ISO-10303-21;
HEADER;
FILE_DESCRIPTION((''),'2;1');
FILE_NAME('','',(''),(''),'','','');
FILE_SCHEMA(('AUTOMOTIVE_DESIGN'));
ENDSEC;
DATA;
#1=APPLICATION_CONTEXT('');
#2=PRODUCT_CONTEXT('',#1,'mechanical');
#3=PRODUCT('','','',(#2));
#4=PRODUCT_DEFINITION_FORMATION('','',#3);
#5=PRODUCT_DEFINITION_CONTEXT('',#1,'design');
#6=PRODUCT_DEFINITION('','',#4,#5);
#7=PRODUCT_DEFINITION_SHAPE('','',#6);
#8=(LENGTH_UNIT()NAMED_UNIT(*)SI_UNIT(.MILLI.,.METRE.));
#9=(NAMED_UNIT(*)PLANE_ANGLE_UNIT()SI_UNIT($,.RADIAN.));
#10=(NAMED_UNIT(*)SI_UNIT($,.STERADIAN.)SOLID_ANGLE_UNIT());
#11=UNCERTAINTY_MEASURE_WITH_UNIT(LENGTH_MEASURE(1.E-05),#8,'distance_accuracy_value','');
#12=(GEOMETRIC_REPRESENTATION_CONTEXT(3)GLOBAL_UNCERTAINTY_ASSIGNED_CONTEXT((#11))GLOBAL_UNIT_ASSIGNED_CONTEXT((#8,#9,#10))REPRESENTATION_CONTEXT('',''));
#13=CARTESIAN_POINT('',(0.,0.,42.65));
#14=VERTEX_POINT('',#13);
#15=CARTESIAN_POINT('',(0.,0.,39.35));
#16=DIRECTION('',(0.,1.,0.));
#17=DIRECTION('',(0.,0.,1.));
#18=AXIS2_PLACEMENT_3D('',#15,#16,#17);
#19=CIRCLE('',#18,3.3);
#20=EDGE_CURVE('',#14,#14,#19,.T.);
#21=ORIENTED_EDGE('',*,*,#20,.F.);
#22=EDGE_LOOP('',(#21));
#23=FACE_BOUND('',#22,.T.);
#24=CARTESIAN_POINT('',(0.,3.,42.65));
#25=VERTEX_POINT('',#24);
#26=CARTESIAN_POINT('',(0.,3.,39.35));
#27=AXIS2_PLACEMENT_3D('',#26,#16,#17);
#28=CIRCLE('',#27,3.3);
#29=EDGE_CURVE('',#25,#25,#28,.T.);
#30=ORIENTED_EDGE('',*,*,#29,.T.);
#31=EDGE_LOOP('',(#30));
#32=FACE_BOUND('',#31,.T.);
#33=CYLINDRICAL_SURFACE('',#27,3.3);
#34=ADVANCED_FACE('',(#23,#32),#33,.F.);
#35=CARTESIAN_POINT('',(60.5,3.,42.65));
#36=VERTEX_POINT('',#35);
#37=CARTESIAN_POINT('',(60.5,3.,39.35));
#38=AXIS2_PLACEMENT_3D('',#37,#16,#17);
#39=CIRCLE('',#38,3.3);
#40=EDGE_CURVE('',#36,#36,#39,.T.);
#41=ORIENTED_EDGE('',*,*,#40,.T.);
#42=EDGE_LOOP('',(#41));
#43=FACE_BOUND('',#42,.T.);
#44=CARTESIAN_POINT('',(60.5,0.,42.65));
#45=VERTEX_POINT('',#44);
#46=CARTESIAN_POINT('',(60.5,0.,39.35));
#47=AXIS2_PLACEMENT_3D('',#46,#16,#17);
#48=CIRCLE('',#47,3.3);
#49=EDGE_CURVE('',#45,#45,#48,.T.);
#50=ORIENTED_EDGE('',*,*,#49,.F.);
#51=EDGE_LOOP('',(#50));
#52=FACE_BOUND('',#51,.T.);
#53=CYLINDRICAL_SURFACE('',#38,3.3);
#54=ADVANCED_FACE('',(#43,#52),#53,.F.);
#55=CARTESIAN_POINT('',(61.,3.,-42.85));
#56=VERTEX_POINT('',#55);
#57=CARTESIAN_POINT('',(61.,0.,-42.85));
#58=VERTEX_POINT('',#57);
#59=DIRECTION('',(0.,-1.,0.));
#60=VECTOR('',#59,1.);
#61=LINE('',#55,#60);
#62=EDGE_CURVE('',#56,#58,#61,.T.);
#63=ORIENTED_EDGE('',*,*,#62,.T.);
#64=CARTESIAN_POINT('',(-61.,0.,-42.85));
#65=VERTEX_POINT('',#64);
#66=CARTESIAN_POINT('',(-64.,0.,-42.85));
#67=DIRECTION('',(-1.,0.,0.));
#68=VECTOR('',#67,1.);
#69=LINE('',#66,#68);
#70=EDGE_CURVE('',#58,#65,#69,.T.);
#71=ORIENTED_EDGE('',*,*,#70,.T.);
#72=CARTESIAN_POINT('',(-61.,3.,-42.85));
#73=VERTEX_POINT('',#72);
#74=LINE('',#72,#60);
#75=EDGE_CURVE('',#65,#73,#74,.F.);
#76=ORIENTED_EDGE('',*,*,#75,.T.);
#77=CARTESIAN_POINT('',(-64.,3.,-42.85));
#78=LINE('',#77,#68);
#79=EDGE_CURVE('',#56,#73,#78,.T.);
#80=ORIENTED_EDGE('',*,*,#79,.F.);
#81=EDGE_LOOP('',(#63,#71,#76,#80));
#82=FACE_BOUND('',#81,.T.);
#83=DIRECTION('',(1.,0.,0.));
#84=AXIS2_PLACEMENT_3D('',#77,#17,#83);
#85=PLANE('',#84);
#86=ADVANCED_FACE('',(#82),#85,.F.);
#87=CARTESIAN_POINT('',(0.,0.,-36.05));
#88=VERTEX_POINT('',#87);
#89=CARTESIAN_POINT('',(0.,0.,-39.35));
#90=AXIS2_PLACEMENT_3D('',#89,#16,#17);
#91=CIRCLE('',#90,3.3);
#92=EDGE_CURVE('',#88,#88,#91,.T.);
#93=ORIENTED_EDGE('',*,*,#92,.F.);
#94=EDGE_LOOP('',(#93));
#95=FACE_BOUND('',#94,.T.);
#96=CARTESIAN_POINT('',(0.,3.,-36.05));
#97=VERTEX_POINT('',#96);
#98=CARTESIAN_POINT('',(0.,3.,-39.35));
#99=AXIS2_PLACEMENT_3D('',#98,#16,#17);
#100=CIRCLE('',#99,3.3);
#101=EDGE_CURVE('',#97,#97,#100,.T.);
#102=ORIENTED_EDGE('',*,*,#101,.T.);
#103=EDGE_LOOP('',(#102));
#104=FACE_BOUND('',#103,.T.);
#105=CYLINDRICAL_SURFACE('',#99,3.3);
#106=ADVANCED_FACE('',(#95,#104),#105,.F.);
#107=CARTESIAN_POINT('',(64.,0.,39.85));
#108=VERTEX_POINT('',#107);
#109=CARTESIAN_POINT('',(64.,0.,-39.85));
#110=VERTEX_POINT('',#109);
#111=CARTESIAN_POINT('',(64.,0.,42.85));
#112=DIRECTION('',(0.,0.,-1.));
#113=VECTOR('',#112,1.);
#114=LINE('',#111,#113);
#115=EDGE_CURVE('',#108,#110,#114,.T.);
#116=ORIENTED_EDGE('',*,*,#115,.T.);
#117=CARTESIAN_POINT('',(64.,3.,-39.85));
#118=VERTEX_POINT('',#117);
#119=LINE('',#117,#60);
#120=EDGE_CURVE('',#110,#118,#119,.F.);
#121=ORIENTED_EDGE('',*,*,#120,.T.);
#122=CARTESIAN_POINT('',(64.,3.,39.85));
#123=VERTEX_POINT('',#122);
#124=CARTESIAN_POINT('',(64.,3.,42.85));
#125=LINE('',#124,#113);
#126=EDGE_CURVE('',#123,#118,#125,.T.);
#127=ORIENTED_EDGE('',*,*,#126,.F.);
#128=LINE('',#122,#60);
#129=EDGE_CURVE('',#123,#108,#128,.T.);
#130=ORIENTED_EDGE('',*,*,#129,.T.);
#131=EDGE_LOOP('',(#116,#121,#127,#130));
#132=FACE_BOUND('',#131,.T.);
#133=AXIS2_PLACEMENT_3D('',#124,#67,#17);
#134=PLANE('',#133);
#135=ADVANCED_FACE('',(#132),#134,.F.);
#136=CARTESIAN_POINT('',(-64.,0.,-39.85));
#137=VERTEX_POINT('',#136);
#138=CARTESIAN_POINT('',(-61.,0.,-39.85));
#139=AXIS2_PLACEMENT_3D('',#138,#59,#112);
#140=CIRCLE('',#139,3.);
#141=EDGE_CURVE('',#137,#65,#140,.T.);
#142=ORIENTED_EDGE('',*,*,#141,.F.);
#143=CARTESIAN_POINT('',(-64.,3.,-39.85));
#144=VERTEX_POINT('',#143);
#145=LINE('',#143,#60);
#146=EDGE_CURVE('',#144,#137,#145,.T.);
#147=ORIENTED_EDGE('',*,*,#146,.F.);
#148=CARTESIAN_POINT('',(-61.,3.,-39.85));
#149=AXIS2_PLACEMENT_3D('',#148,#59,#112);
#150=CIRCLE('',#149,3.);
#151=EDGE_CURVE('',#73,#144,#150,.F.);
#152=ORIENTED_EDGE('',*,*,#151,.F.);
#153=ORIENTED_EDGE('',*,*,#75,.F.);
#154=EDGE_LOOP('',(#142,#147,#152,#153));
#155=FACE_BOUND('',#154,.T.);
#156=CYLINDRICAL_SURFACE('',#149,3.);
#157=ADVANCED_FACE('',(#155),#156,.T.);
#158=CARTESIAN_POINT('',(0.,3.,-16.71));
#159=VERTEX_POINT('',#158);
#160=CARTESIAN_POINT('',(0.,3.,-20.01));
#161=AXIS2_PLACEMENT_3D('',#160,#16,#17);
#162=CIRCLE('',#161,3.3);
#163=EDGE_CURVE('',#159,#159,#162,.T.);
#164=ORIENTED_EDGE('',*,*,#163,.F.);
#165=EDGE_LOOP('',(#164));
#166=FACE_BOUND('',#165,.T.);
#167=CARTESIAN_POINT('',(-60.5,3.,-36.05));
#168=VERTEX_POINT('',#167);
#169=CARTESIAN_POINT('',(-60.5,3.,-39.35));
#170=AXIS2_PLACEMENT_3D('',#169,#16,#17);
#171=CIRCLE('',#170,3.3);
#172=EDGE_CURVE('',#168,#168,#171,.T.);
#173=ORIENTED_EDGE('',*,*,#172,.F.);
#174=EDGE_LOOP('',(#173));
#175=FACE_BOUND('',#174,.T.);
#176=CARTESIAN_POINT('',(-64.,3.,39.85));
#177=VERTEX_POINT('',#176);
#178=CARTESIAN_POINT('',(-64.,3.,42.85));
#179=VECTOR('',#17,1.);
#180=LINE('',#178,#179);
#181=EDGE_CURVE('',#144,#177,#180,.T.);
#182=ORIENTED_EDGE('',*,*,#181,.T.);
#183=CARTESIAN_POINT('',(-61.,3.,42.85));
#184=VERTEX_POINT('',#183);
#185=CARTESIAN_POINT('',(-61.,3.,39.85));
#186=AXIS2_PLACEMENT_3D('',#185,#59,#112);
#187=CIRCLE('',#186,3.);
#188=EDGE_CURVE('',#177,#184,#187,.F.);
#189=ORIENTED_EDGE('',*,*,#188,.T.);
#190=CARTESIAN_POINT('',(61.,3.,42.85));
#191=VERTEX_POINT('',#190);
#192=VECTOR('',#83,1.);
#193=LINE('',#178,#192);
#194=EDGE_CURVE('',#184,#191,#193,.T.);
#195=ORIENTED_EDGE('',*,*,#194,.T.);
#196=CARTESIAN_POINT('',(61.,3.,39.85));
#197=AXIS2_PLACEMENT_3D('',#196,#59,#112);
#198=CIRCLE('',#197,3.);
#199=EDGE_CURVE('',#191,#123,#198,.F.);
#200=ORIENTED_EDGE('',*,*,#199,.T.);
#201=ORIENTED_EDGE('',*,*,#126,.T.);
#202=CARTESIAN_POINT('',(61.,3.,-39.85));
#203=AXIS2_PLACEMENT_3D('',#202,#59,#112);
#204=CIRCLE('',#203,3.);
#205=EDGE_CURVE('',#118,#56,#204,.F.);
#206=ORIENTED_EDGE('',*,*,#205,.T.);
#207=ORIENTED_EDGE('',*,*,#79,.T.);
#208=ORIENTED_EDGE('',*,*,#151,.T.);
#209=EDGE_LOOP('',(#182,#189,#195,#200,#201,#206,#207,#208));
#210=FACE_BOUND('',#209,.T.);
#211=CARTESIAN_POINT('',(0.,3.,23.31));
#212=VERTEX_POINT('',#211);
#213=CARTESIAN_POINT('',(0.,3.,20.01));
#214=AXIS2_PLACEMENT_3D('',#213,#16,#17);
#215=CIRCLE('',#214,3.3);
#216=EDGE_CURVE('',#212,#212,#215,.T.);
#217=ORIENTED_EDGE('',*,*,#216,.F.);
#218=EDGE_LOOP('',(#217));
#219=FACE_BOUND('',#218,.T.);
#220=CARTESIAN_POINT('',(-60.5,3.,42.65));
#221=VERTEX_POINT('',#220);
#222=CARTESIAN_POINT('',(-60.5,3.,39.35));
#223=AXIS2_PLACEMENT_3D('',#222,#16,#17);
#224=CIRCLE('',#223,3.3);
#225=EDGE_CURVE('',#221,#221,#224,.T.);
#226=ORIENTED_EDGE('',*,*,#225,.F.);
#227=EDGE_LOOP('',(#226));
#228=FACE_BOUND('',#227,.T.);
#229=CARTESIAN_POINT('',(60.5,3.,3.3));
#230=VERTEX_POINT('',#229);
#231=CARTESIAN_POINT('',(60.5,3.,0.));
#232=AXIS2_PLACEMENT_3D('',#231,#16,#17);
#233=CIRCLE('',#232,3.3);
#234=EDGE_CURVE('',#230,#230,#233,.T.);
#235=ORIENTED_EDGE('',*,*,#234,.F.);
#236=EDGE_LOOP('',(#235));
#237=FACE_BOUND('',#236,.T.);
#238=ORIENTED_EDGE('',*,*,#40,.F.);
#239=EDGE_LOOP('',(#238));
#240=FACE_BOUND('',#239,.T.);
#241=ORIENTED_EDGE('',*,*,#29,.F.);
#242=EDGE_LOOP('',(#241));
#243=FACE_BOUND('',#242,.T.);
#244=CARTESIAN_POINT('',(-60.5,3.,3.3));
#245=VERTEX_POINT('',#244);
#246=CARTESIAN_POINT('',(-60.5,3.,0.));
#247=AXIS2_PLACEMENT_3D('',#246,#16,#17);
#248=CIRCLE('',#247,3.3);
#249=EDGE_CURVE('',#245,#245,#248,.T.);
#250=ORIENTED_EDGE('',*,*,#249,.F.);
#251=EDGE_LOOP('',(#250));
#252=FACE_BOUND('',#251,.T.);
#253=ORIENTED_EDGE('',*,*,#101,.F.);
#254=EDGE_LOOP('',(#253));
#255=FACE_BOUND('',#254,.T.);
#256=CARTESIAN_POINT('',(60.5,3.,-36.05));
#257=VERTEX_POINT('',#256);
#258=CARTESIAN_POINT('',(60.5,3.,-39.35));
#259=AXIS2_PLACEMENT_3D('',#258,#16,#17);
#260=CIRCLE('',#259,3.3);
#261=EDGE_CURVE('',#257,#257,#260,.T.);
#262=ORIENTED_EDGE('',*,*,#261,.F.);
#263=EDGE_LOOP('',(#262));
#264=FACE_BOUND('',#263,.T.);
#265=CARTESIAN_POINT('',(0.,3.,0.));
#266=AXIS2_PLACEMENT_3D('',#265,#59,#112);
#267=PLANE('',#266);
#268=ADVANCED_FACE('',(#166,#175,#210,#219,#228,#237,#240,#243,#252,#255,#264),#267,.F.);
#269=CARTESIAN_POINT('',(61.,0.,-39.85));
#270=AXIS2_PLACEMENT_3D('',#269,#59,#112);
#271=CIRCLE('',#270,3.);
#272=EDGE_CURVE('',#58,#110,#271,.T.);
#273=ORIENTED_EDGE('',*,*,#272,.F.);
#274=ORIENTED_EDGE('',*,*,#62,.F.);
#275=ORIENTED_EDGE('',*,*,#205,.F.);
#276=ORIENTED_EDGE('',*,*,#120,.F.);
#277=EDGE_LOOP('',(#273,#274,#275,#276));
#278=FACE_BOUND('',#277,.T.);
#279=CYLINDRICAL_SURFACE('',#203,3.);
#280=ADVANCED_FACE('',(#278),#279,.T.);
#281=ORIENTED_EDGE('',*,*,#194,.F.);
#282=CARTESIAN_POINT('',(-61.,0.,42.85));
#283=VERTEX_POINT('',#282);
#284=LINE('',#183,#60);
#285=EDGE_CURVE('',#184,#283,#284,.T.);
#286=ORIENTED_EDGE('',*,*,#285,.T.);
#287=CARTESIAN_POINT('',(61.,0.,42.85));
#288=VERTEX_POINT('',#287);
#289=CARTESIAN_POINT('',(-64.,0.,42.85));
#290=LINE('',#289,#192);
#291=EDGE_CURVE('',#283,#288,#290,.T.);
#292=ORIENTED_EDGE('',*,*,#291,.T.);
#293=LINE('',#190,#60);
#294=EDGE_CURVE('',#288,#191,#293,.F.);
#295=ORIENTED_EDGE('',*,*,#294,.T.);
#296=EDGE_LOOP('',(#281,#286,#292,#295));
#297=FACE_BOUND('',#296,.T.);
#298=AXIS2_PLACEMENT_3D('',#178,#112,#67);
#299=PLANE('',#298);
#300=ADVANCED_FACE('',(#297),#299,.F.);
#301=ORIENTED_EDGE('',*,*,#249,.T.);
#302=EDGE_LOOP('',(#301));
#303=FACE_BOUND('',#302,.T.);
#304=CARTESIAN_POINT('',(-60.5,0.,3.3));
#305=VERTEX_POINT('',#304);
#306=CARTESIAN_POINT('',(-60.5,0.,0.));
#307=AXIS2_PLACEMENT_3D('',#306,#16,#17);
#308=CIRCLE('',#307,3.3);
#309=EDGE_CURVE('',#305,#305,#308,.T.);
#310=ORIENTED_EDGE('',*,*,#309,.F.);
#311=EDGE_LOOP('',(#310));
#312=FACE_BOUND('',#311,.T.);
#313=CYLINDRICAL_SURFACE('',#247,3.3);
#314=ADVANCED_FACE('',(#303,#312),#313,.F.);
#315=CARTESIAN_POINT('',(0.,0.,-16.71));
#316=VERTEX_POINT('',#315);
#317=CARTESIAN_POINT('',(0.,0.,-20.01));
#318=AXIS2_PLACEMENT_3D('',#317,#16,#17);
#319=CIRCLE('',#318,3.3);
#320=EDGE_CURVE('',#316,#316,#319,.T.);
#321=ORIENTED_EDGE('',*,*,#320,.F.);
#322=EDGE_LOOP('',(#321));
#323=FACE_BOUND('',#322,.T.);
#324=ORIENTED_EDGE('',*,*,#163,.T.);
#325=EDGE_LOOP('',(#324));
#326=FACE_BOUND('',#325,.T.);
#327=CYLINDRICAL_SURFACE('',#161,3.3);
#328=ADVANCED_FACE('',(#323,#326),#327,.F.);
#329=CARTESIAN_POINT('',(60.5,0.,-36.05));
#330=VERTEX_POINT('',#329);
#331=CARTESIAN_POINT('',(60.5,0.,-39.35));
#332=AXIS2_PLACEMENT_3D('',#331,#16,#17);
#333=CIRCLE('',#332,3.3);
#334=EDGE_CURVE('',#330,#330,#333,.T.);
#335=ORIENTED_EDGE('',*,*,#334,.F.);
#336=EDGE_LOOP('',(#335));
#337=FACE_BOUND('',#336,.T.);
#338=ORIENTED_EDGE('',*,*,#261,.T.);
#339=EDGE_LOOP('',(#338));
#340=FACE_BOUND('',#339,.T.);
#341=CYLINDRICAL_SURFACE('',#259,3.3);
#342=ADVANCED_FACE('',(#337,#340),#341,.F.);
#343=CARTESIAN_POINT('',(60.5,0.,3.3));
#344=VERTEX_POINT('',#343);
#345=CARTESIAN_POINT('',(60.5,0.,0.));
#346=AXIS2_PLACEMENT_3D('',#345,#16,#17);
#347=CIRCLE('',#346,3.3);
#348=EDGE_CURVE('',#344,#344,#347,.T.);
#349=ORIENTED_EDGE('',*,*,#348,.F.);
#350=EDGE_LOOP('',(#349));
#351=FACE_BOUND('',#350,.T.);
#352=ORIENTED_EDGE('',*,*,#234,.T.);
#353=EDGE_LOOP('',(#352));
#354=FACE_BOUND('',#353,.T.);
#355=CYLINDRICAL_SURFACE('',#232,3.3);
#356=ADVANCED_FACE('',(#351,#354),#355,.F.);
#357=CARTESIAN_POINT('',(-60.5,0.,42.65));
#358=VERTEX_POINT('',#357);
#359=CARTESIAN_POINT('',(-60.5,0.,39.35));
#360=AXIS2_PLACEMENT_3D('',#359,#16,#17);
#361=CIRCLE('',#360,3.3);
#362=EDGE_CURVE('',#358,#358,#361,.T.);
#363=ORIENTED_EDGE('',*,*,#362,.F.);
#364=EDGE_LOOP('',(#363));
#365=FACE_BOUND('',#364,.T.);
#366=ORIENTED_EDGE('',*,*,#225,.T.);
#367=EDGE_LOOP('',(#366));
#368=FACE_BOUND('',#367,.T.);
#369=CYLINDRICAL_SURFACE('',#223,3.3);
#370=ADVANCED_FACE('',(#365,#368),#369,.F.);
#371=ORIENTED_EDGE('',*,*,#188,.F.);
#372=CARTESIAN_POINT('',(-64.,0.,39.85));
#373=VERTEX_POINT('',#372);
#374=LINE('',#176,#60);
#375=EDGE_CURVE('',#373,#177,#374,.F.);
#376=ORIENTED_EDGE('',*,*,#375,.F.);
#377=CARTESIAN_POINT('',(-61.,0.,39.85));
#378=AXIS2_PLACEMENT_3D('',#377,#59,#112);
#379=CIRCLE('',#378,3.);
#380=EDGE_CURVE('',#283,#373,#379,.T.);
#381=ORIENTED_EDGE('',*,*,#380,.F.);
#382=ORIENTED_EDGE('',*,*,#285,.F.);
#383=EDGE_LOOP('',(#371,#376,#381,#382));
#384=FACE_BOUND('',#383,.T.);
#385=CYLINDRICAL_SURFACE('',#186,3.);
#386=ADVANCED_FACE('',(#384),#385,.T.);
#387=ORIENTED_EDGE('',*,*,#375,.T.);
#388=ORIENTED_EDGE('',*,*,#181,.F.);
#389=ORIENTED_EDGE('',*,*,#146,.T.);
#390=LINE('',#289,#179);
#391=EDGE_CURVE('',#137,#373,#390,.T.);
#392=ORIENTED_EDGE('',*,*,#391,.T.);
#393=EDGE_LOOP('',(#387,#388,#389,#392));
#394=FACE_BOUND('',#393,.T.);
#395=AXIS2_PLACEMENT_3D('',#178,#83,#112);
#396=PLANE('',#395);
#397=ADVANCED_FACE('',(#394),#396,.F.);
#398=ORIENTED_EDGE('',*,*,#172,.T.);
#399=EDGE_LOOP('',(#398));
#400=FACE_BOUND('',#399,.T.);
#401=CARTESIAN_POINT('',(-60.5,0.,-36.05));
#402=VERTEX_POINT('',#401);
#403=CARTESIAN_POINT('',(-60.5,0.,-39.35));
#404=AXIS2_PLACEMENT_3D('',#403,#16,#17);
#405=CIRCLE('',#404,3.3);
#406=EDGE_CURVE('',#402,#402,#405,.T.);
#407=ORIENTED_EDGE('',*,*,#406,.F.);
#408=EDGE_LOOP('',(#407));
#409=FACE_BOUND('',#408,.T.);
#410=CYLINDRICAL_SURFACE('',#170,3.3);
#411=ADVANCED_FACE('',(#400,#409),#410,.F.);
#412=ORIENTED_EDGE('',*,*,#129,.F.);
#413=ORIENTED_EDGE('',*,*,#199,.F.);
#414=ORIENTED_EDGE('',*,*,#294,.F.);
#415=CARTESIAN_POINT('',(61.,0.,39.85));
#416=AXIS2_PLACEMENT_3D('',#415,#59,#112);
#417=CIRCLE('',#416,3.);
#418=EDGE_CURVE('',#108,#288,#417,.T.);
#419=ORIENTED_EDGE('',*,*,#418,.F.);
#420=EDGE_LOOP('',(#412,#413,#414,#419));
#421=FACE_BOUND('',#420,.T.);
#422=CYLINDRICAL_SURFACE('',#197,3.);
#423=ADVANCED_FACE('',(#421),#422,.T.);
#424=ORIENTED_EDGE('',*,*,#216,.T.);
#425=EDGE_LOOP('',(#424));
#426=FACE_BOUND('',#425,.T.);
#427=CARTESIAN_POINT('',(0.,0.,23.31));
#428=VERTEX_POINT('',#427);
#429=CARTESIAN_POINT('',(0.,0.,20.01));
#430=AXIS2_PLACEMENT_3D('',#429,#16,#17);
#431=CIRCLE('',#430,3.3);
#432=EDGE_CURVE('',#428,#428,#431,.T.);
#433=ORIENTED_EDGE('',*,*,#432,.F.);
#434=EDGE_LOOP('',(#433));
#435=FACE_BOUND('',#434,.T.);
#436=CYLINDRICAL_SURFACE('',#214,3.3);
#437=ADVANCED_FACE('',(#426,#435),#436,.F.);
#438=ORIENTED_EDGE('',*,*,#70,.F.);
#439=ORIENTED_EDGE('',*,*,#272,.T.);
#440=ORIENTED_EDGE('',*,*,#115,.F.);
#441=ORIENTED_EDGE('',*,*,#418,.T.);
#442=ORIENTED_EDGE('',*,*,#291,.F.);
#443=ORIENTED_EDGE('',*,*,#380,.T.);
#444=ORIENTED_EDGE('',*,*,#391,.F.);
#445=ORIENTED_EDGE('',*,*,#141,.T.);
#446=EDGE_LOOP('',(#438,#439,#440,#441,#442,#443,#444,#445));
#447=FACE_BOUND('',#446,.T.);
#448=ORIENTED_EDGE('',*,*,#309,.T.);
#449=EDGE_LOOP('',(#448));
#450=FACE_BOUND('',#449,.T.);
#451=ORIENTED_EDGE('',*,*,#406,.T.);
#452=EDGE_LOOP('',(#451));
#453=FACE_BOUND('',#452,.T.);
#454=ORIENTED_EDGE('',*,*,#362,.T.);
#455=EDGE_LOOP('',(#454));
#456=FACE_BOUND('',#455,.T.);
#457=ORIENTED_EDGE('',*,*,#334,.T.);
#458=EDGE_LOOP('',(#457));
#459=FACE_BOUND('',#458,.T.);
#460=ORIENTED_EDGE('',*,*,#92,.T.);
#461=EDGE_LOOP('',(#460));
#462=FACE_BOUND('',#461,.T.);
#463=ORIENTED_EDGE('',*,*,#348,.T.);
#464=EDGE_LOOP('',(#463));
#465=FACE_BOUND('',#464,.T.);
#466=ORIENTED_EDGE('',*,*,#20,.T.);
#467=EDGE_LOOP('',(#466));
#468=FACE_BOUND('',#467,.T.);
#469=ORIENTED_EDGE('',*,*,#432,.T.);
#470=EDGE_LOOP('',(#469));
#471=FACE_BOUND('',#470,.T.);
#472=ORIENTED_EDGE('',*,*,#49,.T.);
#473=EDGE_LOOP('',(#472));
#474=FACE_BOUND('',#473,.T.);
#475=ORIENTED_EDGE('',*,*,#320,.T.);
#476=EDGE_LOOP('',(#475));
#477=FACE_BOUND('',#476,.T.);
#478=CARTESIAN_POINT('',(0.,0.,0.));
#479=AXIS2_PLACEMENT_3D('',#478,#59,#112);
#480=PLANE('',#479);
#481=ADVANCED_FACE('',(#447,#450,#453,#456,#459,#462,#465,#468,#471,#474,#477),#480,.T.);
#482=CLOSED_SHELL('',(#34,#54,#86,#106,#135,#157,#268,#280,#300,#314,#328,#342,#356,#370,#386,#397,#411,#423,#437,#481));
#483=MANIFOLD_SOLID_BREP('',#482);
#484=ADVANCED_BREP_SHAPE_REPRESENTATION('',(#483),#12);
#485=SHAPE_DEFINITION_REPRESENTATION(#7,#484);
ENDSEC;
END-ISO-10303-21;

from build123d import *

# Parameters (mm, degrees)
SKETCH1_W            = 128
SKETCH1_H            = 85.7
BOSS_EXTRUDE1_DEPTH  = 3
M6_CLEARANCE_HOLE1_D = 6.6
FILLET1_R            = 3


with BuildPart() as part:
    # Sketch1 → Boss-Extrude1 (new body)
    with BuildSketch(Plane(origin=(0, 0, 0), x_dir=(1, 0, 0), z_dir=(0, 1, 0))):
        Rectangle(SKETCH1_W, SKETCH1_H)
    extrude(amount=BOSS_EXTRUDE1_DEPTH)

    # M6 Clearance Hole1 (through all)
    with Locations(Plane(origin=(0, 3, 0), x_dir=(1, 0, 0), z_dir=(0, 1, 0))):
        with Locations((-60.5, 39.35), (0, 39.35), (60.5, 39.35), (60.5, 0), (60.5, -39.35), (0, -39.35), (-60.5, -39.35), (-60.5, 0), (0, -20.01), (0, 20.01)):
            Hole(M6_CLEARANCE_HOLE1_D / 2)

    # Fillet1
    fillet1_edges = [part.edges().sort_by_distance(p)[0] for p in [
        (64, 1.5, 42.85),
        (-64, 1.5, 42.85),
        (-64, 1.5, -42.85),
        (64, 1.5, -42.85),
    ]]
    fillet(fillet1_edges, radius=FILLET1_R)


solid = part.part
